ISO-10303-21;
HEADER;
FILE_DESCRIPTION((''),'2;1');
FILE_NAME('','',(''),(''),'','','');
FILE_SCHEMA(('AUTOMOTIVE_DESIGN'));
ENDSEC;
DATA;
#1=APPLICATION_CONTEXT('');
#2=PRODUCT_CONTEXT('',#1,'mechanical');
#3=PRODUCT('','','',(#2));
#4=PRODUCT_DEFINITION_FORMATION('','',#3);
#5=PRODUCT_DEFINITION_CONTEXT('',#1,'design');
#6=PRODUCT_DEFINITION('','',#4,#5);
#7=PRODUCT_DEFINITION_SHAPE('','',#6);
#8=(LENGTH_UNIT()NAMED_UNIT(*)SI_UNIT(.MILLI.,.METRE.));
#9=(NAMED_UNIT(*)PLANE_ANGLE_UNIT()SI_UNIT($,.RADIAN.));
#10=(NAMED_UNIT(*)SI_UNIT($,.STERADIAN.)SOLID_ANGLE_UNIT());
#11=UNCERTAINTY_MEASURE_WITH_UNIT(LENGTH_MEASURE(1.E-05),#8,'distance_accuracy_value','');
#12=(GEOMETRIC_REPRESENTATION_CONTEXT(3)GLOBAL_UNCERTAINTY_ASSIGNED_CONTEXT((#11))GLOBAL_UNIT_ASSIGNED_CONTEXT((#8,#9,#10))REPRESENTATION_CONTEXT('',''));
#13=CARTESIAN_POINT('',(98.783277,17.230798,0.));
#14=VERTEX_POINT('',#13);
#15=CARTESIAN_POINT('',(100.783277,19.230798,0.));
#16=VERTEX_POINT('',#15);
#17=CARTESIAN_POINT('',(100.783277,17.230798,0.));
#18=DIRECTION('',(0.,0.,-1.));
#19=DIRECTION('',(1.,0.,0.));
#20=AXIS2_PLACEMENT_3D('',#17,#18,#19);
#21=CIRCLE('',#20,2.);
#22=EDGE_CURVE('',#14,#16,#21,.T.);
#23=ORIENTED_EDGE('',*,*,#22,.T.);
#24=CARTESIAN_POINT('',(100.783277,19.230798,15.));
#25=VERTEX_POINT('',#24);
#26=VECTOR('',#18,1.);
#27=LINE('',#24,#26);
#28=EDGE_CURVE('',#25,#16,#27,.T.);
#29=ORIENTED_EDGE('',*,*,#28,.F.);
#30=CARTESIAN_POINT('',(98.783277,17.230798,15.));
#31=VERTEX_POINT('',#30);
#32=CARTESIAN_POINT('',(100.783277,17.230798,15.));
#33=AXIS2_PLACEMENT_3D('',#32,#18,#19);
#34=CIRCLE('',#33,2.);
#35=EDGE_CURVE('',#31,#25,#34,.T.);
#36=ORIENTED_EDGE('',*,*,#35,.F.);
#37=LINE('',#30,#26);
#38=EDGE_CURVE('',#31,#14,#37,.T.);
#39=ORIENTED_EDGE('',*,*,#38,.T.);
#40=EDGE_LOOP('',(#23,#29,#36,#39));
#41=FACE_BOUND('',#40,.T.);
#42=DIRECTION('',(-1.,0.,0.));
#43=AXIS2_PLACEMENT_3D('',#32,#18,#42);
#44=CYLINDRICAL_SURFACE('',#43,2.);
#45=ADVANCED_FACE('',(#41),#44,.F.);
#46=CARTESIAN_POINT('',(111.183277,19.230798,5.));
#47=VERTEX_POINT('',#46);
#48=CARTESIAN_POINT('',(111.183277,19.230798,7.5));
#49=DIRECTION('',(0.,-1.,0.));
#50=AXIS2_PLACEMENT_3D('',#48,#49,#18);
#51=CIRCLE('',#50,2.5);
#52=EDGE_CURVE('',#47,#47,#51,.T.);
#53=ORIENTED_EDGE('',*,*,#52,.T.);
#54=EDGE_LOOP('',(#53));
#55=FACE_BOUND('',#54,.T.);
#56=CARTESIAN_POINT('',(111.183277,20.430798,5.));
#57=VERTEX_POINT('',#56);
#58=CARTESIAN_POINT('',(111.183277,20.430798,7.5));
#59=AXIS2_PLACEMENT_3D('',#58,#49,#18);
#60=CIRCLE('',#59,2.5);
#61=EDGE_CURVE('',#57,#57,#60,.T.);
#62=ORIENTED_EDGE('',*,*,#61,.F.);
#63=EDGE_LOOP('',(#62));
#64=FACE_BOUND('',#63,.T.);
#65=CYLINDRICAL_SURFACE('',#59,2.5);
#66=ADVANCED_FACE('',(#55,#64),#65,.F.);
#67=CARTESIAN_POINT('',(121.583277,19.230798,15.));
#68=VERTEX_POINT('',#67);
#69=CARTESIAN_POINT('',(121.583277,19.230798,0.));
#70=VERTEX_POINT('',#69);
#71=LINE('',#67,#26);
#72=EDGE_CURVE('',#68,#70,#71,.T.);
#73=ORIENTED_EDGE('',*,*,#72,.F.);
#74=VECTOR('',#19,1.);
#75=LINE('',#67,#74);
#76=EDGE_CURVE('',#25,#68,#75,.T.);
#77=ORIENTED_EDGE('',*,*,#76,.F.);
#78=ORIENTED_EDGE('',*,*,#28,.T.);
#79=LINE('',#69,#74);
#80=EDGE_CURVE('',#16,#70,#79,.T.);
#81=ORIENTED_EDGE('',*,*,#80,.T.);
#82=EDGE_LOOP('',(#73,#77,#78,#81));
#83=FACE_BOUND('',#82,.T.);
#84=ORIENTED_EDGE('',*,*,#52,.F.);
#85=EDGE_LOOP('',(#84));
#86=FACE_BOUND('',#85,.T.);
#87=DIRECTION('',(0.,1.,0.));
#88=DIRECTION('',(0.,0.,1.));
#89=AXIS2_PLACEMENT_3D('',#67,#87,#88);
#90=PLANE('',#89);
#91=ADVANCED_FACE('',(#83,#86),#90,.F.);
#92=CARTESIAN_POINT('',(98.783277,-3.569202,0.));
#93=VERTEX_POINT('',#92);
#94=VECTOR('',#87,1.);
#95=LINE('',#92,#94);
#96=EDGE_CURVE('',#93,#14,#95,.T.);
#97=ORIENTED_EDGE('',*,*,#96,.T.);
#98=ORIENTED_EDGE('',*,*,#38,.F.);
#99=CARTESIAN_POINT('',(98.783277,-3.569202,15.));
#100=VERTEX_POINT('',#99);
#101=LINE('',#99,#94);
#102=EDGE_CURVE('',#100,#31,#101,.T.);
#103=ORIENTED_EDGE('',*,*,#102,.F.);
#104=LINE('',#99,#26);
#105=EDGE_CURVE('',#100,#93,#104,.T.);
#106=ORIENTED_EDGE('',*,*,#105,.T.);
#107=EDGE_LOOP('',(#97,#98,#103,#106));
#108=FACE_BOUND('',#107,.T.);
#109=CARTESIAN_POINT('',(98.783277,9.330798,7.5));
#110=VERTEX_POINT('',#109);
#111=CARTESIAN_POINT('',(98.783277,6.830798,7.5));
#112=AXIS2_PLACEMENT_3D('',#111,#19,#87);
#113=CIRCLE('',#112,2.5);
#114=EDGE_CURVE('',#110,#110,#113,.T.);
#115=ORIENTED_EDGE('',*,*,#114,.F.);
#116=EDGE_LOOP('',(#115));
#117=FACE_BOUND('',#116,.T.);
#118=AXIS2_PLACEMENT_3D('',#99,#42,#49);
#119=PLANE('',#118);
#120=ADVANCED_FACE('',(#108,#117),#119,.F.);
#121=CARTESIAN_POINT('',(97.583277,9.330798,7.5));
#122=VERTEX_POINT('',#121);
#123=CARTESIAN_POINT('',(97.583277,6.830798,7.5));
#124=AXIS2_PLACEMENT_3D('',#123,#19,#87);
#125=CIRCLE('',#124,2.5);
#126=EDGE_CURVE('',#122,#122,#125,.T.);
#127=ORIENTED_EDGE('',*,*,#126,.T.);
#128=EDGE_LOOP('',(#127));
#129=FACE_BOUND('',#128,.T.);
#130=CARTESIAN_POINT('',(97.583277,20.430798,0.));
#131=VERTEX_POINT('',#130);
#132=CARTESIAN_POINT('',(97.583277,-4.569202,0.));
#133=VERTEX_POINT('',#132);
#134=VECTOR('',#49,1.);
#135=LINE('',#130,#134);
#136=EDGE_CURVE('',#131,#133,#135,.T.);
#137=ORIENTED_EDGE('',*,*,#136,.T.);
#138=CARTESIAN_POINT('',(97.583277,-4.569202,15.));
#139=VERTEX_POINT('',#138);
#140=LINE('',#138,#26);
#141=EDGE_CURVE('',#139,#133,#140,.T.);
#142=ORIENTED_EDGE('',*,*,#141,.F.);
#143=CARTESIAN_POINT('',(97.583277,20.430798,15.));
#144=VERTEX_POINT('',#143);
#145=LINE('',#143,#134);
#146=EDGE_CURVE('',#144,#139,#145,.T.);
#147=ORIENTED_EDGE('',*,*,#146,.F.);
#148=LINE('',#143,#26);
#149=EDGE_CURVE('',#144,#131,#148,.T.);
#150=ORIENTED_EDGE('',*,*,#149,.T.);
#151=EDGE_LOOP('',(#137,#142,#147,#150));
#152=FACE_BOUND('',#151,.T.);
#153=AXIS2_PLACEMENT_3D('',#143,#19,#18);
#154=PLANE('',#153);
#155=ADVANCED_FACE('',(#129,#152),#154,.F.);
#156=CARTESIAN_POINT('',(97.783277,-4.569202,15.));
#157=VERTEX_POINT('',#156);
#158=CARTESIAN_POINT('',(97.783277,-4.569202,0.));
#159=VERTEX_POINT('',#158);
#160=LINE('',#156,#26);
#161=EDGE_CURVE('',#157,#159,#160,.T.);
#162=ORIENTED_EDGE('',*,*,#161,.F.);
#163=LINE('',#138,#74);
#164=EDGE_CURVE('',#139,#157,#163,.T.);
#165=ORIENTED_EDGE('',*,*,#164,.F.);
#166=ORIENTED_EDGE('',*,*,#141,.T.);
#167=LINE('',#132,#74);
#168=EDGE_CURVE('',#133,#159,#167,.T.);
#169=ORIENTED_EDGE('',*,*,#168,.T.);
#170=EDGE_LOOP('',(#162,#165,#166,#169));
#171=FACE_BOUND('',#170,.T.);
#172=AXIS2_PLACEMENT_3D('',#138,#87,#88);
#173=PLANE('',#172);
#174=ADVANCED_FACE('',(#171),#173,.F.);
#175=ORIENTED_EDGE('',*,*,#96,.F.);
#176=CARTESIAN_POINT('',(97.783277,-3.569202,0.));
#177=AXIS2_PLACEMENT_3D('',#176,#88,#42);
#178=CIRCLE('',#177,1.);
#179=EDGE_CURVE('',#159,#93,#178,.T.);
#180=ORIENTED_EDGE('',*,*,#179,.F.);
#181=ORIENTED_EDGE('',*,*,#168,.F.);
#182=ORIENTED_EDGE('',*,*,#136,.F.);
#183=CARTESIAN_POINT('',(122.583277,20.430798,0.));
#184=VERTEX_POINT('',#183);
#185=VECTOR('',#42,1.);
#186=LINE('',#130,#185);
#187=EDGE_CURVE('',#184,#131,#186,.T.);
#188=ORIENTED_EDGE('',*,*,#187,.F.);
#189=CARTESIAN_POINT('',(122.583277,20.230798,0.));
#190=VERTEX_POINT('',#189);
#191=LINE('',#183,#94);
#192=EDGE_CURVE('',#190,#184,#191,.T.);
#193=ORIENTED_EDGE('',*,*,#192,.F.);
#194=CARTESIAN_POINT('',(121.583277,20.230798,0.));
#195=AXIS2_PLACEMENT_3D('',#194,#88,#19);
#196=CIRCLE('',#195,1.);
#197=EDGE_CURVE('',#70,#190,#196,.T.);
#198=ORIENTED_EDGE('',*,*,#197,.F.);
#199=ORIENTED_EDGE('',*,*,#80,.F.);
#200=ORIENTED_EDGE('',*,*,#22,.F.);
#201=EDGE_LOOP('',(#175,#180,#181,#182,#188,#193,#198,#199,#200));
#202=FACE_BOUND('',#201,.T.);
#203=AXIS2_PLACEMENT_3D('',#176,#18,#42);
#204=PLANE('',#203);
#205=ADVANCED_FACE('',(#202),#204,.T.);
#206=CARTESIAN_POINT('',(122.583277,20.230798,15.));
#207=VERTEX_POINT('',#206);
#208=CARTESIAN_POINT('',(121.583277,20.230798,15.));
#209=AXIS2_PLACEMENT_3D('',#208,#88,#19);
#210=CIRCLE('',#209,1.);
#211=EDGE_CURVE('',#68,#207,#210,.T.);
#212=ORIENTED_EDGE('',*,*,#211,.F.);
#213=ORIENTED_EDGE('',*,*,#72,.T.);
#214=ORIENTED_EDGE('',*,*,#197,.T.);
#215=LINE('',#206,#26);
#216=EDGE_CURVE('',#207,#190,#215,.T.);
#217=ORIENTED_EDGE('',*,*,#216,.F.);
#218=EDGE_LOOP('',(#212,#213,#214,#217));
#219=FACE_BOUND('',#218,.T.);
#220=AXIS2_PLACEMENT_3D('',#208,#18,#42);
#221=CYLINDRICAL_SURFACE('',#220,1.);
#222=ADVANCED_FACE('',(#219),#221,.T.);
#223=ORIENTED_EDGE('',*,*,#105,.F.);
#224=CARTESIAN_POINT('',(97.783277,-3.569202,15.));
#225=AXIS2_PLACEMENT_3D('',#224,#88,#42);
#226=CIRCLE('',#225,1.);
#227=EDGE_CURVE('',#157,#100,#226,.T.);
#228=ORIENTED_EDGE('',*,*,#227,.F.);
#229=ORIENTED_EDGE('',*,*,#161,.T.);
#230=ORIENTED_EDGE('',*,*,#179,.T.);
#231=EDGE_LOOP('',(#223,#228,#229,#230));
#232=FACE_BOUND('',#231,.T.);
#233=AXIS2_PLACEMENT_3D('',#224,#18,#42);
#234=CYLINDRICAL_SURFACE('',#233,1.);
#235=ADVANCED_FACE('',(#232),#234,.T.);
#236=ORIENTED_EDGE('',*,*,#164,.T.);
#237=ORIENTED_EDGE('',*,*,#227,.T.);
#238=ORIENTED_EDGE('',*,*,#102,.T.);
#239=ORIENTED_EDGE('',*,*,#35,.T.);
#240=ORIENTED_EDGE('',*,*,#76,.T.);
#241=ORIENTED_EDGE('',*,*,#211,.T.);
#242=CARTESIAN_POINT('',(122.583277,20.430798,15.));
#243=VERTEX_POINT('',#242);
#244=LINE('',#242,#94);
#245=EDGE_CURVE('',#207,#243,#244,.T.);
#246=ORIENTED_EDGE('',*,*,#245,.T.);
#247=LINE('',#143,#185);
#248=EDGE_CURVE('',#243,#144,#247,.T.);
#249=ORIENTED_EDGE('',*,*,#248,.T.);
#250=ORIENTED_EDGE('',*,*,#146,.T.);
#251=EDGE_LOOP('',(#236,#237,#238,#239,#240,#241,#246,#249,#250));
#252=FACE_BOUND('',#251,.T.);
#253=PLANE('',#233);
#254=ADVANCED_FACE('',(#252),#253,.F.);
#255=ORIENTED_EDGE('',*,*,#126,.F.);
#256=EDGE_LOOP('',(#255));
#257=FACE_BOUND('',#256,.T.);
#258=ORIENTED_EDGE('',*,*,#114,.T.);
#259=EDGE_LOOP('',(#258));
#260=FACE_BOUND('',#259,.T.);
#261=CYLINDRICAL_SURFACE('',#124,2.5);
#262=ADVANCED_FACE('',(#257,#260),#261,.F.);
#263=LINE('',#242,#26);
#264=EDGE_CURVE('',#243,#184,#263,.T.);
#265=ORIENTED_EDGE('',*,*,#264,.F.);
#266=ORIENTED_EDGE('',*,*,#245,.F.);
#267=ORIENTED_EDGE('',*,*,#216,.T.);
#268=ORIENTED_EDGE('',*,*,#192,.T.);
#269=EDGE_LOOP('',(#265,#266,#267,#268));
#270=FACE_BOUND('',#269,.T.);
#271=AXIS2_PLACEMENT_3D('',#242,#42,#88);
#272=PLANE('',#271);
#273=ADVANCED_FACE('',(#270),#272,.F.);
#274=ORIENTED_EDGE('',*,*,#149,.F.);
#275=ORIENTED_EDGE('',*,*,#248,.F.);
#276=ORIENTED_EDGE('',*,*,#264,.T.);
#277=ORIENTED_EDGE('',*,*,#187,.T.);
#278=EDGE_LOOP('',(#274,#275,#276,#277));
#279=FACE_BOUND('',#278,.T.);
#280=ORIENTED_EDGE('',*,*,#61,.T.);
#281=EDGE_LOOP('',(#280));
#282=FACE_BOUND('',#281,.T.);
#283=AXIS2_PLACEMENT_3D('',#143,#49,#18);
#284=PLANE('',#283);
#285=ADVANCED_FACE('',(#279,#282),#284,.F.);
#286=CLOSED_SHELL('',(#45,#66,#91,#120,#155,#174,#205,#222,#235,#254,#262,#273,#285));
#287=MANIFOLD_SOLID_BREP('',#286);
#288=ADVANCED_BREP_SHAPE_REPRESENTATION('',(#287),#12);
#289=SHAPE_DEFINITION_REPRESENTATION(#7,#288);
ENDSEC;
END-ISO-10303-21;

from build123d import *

# Parameters (mm, degrees)
RESSALTO_EXTRUS_O1_DEPTH = 15
ESBO_O2_R                = 2.5
CORTE_EXTRUS_O1_DEPTH    = 126.770027202
ESBO_O3_R                = 2.5
CORTE_EXTRUS_O2_DEPTH    = 35.768628391


with BuildPart() as part:
    # Esboço1 → Ressalto-extrusão1 (new body)
    with BuildSketch(Plane.XY):
        with BuildLine():
            Line((98.783276764, -3.569201676), (98.783276764, 17.230798324))
            ThreePointArc((98.783276764, 17.230798324), (99.369063202, 18.645011887), (100.783276764, 19.230798324))
            Line((100.783276764, 19.230798324), (121.583276764, 19.230798324))
            ThreePointArc((121.583276764, 19.230798324), (122.290383546, 19.523691543), (122.583276764, 20.230798324))
            Line((122.583276764, 20.230798324), (122.583276764, 20.430798324))
            Line((122.583276764, 20.430798324), (97.583276764, 20.430798324))
            Line((97.583276764, 20.430798324), (97.583276764, -4.569201676))
            Line((97.583276764, -4.569201676), (97.783276764, -4.569201676))
            ThreePointArc((97.783276764, -4.569201676), (98.490383546, -4.276308457), (98.783276764, -3.569201676))
        make_face()
    extrude(amount=RESSALTO_EXTRUS_O1_DEPTH)

    # Esboço2 → Corte-extrusão1 (cut, through all)
    with BuildSketch(Plane.XZ.offset(-19.230798324)):
        with Locations(Location((111.183276764, 7.5, 0), (0, 0, 270))):
            Circle(ESBO_O2_R)
    extrude(amount=-CORTE_EXTRUS_O1_DEPTH, mode=Mode.SUBTRACT)

    # Esboço3 → Corte-extrusão2 (cut, through all)
    with BuildSketch(Plane(origin=(98.783276764, 0, 0), x_dir=(0, 0, -1), z_dir=(1, 0, 0))):
        with Locations(Location((-7.5, 6.830798324, 0), (0, 0, 90))):
            Circle(ESBO_O3_R)
    extrude(amount=-CORTE_EXTRUS_O2_DEPTH, mode=Mode.SUBTRACT)


solid = part.part
